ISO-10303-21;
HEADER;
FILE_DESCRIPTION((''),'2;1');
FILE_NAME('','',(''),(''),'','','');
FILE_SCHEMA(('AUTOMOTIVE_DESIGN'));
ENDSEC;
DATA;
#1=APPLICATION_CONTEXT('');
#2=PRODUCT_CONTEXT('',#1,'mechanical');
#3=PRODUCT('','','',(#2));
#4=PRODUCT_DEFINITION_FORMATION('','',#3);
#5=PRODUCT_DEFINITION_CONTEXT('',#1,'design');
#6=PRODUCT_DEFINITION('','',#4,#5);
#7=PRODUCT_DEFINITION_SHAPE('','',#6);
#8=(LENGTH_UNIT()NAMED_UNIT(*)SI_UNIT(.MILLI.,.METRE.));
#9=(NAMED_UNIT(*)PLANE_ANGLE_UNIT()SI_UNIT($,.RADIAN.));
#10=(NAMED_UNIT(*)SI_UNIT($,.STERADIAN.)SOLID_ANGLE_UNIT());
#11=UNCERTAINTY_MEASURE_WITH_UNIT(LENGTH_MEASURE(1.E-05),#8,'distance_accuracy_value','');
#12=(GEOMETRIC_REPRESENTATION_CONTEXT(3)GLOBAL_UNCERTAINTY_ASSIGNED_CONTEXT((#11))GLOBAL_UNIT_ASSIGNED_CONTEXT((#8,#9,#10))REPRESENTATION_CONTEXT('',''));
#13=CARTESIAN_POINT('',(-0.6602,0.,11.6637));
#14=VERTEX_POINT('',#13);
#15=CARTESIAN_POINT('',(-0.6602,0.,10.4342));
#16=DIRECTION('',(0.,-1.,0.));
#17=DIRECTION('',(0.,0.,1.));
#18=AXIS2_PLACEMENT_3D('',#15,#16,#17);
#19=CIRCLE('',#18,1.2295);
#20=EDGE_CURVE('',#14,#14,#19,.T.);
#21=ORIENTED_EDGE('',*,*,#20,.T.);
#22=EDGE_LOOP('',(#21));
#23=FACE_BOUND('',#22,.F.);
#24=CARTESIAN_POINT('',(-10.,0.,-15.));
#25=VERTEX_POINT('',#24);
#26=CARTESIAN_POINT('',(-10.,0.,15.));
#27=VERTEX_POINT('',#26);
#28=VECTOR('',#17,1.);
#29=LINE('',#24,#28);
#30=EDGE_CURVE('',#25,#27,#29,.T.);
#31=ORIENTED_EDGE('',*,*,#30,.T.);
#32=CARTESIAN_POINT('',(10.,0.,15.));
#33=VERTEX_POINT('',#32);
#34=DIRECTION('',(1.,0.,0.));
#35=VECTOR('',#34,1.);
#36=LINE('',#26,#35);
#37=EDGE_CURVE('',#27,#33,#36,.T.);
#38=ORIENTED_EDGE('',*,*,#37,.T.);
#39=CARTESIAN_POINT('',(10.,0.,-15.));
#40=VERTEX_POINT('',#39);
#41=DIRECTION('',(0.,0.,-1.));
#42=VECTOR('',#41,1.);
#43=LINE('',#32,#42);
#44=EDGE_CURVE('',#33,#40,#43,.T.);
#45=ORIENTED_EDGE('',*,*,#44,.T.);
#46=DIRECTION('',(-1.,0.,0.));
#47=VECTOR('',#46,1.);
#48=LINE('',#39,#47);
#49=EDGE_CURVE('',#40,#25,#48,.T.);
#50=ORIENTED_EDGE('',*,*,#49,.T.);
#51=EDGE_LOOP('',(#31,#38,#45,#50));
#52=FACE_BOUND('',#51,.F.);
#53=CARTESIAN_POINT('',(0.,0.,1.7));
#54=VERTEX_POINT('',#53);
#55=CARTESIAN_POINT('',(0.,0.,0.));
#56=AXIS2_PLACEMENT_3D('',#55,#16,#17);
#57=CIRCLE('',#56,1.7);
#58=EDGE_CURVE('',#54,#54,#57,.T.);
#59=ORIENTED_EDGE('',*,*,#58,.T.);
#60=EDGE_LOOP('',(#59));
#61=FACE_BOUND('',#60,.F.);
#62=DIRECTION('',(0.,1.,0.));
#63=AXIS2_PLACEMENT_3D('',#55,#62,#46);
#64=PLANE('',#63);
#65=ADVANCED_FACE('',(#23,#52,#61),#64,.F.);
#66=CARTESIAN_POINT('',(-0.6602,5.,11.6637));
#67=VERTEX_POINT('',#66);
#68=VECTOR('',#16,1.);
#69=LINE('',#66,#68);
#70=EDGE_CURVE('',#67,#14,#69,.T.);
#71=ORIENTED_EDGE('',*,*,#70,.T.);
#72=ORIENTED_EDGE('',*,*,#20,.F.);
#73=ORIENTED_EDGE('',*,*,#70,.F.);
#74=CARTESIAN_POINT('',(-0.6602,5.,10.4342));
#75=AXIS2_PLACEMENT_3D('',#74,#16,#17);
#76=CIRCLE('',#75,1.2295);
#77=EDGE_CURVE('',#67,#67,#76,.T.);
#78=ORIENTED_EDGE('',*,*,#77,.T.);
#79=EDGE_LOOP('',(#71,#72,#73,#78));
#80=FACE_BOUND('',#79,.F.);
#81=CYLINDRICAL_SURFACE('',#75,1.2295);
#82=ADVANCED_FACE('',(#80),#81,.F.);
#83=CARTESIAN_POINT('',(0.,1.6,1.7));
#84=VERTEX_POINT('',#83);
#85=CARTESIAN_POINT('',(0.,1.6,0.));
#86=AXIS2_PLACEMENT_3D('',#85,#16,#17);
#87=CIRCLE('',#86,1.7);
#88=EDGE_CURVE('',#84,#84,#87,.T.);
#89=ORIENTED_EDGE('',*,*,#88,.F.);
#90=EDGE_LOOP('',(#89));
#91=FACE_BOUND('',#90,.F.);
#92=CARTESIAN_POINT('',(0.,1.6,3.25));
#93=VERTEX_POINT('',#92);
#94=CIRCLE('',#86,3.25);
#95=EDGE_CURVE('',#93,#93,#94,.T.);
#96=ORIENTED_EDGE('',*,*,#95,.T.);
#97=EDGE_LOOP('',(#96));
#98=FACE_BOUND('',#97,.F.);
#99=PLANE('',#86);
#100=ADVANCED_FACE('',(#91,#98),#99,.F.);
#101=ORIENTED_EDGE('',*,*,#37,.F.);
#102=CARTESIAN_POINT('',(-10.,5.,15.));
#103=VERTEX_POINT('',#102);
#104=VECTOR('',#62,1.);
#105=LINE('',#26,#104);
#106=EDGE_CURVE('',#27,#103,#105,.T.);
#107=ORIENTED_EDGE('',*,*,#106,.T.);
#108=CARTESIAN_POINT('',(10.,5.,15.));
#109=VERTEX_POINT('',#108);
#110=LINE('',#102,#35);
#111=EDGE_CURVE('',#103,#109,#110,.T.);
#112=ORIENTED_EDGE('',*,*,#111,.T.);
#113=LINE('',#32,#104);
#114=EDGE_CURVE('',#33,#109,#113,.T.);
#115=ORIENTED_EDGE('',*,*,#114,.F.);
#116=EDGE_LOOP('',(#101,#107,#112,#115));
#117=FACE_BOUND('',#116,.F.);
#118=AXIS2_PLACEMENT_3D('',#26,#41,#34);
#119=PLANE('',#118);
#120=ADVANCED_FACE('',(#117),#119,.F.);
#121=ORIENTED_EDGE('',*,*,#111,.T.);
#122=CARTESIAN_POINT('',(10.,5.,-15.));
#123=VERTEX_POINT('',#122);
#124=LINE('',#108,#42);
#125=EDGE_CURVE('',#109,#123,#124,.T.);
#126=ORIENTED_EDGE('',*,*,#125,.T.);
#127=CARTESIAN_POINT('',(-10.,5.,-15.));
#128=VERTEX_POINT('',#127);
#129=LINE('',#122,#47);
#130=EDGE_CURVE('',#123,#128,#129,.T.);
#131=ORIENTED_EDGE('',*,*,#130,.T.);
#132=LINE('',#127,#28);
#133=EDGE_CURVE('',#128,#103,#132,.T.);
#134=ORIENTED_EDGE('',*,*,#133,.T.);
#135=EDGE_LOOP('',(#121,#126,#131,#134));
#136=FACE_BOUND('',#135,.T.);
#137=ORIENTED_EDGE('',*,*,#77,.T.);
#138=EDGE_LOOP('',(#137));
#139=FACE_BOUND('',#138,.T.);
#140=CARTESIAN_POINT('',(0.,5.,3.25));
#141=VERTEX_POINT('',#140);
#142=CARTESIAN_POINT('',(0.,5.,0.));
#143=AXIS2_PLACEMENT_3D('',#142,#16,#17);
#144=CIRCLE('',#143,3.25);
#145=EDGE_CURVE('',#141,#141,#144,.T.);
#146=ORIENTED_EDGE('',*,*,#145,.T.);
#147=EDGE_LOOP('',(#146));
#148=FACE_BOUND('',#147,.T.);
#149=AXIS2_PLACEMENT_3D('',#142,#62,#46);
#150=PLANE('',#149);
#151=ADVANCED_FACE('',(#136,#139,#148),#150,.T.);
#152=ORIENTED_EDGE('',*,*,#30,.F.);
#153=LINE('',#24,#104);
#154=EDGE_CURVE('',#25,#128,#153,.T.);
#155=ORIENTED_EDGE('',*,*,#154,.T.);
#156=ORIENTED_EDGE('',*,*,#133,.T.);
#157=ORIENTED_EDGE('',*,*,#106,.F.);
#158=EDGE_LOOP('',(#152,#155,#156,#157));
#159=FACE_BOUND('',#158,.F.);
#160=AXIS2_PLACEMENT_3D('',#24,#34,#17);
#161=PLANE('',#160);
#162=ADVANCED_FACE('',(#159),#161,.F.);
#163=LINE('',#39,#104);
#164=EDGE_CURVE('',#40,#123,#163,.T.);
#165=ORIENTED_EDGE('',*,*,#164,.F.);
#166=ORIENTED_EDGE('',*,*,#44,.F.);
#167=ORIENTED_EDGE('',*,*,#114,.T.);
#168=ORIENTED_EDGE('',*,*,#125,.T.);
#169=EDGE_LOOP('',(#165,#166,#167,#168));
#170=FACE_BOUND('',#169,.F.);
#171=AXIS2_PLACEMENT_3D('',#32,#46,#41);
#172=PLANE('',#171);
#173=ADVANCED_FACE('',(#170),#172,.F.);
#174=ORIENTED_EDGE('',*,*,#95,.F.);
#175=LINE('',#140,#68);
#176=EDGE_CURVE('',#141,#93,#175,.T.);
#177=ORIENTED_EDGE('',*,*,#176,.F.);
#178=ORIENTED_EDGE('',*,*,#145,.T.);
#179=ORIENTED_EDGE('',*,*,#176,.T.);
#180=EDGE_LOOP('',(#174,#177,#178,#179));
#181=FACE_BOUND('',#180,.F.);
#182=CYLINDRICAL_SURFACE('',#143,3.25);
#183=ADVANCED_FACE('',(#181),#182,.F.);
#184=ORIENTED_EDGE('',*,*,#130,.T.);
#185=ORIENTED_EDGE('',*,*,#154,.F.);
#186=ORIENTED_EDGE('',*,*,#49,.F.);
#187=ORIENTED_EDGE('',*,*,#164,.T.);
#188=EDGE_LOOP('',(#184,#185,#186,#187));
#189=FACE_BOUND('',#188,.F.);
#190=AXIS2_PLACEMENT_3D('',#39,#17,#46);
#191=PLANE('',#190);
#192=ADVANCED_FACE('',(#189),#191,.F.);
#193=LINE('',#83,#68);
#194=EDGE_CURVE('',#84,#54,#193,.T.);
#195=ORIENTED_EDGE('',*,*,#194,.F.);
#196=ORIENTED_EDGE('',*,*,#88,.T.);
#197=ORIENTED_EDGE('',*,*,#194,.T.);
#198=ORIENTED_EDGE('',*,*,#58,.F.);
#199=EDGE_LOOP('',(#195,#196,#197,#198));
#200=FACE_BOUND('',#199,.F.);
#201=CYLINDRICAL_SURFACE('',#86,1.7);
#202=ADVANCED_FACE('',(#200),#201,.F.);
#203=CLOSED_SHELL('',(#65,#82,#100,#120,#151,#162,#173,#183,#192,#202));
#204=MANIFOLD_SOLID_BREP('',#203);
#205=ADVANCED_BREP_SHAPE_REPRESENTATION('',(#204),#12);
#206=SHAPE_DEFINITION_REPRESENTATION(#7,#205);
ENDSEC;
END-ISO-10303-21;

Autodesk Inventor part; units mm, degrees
ref_plane "YZ Plane" through (0, 0, 0) normal (1, 0, 0) x (0, 1, 0)
ref_plane "XZ Plane" through (0, 0, 0) normal (0, 1, 0) x (-1, 0, 0)
ref_plane "XY Plane" through (0, 0, 0) normal (0, 0, 1) x (1, 0, 0)
sketch "Sketch1" plane through (0, 0, 0) normal (0, 1, 0) x (-1, 0, 0)
  line L0 (-10, -15) -> (10, -15)
  line L1 (10, -15) -> (10, 15)
  line L2 (10, 15) -> (-10, 15)
  line L3 (-10, 15) -> (-10, -15)
  line L4 (-10, -15) -> (10, 15) construction
  line L5 (10, -15) -> (-10, 15) construction
  point P0 (0, 0)
  dimension "d0" = 20
  dimension "d1" = 30
extrude "Extrusion1" add sketch "Sketch1" along normal blind 5
sketch "Sketch2" plane through (0, 5, 0) normal (0, 1, 0) x (1, 0, 0)
  line L0 (-10, -15) -> (10, -15) projected
  line L1 (0, -15) -> (0, 15)
  line L2 (10, 15) -> (-10, 15) projected
  point P0 (0, 0)
  point P1 (0, -19.7357)
  point P2 (0, -11.8278)
  point P3 (0, -3.988)
  point P4 (0, 4.0562)
  point P5 (0, 11.7596)
  point P6 (0, 20.6901)
hole "Hole1" at (0, 5, 19.7357) at (0, 5, 0) direction (0, -1, 0) diameter 3.4 end through all counterbore diameter 6.5 counterbore depth 3.4 clearance for "Socket Head Cap Screw DIN EN ISO 4762" size "M3" standard "DIN"
sketch "Sketch3" plane through (0, 5, 0) normal (0, 1, 0) x (1, 0, 0)
  point P0 (0, 0)
  point P1 (-0.6602, -10.4342)
hole "Hole2" at (-0.6602, 5, 10.4342) direction (0, -1, 0) diameter 2.459 end through all thread size "M3x0.5" class "6H" standard "ISO Metric profile"
properties part number "Tap_Test"
